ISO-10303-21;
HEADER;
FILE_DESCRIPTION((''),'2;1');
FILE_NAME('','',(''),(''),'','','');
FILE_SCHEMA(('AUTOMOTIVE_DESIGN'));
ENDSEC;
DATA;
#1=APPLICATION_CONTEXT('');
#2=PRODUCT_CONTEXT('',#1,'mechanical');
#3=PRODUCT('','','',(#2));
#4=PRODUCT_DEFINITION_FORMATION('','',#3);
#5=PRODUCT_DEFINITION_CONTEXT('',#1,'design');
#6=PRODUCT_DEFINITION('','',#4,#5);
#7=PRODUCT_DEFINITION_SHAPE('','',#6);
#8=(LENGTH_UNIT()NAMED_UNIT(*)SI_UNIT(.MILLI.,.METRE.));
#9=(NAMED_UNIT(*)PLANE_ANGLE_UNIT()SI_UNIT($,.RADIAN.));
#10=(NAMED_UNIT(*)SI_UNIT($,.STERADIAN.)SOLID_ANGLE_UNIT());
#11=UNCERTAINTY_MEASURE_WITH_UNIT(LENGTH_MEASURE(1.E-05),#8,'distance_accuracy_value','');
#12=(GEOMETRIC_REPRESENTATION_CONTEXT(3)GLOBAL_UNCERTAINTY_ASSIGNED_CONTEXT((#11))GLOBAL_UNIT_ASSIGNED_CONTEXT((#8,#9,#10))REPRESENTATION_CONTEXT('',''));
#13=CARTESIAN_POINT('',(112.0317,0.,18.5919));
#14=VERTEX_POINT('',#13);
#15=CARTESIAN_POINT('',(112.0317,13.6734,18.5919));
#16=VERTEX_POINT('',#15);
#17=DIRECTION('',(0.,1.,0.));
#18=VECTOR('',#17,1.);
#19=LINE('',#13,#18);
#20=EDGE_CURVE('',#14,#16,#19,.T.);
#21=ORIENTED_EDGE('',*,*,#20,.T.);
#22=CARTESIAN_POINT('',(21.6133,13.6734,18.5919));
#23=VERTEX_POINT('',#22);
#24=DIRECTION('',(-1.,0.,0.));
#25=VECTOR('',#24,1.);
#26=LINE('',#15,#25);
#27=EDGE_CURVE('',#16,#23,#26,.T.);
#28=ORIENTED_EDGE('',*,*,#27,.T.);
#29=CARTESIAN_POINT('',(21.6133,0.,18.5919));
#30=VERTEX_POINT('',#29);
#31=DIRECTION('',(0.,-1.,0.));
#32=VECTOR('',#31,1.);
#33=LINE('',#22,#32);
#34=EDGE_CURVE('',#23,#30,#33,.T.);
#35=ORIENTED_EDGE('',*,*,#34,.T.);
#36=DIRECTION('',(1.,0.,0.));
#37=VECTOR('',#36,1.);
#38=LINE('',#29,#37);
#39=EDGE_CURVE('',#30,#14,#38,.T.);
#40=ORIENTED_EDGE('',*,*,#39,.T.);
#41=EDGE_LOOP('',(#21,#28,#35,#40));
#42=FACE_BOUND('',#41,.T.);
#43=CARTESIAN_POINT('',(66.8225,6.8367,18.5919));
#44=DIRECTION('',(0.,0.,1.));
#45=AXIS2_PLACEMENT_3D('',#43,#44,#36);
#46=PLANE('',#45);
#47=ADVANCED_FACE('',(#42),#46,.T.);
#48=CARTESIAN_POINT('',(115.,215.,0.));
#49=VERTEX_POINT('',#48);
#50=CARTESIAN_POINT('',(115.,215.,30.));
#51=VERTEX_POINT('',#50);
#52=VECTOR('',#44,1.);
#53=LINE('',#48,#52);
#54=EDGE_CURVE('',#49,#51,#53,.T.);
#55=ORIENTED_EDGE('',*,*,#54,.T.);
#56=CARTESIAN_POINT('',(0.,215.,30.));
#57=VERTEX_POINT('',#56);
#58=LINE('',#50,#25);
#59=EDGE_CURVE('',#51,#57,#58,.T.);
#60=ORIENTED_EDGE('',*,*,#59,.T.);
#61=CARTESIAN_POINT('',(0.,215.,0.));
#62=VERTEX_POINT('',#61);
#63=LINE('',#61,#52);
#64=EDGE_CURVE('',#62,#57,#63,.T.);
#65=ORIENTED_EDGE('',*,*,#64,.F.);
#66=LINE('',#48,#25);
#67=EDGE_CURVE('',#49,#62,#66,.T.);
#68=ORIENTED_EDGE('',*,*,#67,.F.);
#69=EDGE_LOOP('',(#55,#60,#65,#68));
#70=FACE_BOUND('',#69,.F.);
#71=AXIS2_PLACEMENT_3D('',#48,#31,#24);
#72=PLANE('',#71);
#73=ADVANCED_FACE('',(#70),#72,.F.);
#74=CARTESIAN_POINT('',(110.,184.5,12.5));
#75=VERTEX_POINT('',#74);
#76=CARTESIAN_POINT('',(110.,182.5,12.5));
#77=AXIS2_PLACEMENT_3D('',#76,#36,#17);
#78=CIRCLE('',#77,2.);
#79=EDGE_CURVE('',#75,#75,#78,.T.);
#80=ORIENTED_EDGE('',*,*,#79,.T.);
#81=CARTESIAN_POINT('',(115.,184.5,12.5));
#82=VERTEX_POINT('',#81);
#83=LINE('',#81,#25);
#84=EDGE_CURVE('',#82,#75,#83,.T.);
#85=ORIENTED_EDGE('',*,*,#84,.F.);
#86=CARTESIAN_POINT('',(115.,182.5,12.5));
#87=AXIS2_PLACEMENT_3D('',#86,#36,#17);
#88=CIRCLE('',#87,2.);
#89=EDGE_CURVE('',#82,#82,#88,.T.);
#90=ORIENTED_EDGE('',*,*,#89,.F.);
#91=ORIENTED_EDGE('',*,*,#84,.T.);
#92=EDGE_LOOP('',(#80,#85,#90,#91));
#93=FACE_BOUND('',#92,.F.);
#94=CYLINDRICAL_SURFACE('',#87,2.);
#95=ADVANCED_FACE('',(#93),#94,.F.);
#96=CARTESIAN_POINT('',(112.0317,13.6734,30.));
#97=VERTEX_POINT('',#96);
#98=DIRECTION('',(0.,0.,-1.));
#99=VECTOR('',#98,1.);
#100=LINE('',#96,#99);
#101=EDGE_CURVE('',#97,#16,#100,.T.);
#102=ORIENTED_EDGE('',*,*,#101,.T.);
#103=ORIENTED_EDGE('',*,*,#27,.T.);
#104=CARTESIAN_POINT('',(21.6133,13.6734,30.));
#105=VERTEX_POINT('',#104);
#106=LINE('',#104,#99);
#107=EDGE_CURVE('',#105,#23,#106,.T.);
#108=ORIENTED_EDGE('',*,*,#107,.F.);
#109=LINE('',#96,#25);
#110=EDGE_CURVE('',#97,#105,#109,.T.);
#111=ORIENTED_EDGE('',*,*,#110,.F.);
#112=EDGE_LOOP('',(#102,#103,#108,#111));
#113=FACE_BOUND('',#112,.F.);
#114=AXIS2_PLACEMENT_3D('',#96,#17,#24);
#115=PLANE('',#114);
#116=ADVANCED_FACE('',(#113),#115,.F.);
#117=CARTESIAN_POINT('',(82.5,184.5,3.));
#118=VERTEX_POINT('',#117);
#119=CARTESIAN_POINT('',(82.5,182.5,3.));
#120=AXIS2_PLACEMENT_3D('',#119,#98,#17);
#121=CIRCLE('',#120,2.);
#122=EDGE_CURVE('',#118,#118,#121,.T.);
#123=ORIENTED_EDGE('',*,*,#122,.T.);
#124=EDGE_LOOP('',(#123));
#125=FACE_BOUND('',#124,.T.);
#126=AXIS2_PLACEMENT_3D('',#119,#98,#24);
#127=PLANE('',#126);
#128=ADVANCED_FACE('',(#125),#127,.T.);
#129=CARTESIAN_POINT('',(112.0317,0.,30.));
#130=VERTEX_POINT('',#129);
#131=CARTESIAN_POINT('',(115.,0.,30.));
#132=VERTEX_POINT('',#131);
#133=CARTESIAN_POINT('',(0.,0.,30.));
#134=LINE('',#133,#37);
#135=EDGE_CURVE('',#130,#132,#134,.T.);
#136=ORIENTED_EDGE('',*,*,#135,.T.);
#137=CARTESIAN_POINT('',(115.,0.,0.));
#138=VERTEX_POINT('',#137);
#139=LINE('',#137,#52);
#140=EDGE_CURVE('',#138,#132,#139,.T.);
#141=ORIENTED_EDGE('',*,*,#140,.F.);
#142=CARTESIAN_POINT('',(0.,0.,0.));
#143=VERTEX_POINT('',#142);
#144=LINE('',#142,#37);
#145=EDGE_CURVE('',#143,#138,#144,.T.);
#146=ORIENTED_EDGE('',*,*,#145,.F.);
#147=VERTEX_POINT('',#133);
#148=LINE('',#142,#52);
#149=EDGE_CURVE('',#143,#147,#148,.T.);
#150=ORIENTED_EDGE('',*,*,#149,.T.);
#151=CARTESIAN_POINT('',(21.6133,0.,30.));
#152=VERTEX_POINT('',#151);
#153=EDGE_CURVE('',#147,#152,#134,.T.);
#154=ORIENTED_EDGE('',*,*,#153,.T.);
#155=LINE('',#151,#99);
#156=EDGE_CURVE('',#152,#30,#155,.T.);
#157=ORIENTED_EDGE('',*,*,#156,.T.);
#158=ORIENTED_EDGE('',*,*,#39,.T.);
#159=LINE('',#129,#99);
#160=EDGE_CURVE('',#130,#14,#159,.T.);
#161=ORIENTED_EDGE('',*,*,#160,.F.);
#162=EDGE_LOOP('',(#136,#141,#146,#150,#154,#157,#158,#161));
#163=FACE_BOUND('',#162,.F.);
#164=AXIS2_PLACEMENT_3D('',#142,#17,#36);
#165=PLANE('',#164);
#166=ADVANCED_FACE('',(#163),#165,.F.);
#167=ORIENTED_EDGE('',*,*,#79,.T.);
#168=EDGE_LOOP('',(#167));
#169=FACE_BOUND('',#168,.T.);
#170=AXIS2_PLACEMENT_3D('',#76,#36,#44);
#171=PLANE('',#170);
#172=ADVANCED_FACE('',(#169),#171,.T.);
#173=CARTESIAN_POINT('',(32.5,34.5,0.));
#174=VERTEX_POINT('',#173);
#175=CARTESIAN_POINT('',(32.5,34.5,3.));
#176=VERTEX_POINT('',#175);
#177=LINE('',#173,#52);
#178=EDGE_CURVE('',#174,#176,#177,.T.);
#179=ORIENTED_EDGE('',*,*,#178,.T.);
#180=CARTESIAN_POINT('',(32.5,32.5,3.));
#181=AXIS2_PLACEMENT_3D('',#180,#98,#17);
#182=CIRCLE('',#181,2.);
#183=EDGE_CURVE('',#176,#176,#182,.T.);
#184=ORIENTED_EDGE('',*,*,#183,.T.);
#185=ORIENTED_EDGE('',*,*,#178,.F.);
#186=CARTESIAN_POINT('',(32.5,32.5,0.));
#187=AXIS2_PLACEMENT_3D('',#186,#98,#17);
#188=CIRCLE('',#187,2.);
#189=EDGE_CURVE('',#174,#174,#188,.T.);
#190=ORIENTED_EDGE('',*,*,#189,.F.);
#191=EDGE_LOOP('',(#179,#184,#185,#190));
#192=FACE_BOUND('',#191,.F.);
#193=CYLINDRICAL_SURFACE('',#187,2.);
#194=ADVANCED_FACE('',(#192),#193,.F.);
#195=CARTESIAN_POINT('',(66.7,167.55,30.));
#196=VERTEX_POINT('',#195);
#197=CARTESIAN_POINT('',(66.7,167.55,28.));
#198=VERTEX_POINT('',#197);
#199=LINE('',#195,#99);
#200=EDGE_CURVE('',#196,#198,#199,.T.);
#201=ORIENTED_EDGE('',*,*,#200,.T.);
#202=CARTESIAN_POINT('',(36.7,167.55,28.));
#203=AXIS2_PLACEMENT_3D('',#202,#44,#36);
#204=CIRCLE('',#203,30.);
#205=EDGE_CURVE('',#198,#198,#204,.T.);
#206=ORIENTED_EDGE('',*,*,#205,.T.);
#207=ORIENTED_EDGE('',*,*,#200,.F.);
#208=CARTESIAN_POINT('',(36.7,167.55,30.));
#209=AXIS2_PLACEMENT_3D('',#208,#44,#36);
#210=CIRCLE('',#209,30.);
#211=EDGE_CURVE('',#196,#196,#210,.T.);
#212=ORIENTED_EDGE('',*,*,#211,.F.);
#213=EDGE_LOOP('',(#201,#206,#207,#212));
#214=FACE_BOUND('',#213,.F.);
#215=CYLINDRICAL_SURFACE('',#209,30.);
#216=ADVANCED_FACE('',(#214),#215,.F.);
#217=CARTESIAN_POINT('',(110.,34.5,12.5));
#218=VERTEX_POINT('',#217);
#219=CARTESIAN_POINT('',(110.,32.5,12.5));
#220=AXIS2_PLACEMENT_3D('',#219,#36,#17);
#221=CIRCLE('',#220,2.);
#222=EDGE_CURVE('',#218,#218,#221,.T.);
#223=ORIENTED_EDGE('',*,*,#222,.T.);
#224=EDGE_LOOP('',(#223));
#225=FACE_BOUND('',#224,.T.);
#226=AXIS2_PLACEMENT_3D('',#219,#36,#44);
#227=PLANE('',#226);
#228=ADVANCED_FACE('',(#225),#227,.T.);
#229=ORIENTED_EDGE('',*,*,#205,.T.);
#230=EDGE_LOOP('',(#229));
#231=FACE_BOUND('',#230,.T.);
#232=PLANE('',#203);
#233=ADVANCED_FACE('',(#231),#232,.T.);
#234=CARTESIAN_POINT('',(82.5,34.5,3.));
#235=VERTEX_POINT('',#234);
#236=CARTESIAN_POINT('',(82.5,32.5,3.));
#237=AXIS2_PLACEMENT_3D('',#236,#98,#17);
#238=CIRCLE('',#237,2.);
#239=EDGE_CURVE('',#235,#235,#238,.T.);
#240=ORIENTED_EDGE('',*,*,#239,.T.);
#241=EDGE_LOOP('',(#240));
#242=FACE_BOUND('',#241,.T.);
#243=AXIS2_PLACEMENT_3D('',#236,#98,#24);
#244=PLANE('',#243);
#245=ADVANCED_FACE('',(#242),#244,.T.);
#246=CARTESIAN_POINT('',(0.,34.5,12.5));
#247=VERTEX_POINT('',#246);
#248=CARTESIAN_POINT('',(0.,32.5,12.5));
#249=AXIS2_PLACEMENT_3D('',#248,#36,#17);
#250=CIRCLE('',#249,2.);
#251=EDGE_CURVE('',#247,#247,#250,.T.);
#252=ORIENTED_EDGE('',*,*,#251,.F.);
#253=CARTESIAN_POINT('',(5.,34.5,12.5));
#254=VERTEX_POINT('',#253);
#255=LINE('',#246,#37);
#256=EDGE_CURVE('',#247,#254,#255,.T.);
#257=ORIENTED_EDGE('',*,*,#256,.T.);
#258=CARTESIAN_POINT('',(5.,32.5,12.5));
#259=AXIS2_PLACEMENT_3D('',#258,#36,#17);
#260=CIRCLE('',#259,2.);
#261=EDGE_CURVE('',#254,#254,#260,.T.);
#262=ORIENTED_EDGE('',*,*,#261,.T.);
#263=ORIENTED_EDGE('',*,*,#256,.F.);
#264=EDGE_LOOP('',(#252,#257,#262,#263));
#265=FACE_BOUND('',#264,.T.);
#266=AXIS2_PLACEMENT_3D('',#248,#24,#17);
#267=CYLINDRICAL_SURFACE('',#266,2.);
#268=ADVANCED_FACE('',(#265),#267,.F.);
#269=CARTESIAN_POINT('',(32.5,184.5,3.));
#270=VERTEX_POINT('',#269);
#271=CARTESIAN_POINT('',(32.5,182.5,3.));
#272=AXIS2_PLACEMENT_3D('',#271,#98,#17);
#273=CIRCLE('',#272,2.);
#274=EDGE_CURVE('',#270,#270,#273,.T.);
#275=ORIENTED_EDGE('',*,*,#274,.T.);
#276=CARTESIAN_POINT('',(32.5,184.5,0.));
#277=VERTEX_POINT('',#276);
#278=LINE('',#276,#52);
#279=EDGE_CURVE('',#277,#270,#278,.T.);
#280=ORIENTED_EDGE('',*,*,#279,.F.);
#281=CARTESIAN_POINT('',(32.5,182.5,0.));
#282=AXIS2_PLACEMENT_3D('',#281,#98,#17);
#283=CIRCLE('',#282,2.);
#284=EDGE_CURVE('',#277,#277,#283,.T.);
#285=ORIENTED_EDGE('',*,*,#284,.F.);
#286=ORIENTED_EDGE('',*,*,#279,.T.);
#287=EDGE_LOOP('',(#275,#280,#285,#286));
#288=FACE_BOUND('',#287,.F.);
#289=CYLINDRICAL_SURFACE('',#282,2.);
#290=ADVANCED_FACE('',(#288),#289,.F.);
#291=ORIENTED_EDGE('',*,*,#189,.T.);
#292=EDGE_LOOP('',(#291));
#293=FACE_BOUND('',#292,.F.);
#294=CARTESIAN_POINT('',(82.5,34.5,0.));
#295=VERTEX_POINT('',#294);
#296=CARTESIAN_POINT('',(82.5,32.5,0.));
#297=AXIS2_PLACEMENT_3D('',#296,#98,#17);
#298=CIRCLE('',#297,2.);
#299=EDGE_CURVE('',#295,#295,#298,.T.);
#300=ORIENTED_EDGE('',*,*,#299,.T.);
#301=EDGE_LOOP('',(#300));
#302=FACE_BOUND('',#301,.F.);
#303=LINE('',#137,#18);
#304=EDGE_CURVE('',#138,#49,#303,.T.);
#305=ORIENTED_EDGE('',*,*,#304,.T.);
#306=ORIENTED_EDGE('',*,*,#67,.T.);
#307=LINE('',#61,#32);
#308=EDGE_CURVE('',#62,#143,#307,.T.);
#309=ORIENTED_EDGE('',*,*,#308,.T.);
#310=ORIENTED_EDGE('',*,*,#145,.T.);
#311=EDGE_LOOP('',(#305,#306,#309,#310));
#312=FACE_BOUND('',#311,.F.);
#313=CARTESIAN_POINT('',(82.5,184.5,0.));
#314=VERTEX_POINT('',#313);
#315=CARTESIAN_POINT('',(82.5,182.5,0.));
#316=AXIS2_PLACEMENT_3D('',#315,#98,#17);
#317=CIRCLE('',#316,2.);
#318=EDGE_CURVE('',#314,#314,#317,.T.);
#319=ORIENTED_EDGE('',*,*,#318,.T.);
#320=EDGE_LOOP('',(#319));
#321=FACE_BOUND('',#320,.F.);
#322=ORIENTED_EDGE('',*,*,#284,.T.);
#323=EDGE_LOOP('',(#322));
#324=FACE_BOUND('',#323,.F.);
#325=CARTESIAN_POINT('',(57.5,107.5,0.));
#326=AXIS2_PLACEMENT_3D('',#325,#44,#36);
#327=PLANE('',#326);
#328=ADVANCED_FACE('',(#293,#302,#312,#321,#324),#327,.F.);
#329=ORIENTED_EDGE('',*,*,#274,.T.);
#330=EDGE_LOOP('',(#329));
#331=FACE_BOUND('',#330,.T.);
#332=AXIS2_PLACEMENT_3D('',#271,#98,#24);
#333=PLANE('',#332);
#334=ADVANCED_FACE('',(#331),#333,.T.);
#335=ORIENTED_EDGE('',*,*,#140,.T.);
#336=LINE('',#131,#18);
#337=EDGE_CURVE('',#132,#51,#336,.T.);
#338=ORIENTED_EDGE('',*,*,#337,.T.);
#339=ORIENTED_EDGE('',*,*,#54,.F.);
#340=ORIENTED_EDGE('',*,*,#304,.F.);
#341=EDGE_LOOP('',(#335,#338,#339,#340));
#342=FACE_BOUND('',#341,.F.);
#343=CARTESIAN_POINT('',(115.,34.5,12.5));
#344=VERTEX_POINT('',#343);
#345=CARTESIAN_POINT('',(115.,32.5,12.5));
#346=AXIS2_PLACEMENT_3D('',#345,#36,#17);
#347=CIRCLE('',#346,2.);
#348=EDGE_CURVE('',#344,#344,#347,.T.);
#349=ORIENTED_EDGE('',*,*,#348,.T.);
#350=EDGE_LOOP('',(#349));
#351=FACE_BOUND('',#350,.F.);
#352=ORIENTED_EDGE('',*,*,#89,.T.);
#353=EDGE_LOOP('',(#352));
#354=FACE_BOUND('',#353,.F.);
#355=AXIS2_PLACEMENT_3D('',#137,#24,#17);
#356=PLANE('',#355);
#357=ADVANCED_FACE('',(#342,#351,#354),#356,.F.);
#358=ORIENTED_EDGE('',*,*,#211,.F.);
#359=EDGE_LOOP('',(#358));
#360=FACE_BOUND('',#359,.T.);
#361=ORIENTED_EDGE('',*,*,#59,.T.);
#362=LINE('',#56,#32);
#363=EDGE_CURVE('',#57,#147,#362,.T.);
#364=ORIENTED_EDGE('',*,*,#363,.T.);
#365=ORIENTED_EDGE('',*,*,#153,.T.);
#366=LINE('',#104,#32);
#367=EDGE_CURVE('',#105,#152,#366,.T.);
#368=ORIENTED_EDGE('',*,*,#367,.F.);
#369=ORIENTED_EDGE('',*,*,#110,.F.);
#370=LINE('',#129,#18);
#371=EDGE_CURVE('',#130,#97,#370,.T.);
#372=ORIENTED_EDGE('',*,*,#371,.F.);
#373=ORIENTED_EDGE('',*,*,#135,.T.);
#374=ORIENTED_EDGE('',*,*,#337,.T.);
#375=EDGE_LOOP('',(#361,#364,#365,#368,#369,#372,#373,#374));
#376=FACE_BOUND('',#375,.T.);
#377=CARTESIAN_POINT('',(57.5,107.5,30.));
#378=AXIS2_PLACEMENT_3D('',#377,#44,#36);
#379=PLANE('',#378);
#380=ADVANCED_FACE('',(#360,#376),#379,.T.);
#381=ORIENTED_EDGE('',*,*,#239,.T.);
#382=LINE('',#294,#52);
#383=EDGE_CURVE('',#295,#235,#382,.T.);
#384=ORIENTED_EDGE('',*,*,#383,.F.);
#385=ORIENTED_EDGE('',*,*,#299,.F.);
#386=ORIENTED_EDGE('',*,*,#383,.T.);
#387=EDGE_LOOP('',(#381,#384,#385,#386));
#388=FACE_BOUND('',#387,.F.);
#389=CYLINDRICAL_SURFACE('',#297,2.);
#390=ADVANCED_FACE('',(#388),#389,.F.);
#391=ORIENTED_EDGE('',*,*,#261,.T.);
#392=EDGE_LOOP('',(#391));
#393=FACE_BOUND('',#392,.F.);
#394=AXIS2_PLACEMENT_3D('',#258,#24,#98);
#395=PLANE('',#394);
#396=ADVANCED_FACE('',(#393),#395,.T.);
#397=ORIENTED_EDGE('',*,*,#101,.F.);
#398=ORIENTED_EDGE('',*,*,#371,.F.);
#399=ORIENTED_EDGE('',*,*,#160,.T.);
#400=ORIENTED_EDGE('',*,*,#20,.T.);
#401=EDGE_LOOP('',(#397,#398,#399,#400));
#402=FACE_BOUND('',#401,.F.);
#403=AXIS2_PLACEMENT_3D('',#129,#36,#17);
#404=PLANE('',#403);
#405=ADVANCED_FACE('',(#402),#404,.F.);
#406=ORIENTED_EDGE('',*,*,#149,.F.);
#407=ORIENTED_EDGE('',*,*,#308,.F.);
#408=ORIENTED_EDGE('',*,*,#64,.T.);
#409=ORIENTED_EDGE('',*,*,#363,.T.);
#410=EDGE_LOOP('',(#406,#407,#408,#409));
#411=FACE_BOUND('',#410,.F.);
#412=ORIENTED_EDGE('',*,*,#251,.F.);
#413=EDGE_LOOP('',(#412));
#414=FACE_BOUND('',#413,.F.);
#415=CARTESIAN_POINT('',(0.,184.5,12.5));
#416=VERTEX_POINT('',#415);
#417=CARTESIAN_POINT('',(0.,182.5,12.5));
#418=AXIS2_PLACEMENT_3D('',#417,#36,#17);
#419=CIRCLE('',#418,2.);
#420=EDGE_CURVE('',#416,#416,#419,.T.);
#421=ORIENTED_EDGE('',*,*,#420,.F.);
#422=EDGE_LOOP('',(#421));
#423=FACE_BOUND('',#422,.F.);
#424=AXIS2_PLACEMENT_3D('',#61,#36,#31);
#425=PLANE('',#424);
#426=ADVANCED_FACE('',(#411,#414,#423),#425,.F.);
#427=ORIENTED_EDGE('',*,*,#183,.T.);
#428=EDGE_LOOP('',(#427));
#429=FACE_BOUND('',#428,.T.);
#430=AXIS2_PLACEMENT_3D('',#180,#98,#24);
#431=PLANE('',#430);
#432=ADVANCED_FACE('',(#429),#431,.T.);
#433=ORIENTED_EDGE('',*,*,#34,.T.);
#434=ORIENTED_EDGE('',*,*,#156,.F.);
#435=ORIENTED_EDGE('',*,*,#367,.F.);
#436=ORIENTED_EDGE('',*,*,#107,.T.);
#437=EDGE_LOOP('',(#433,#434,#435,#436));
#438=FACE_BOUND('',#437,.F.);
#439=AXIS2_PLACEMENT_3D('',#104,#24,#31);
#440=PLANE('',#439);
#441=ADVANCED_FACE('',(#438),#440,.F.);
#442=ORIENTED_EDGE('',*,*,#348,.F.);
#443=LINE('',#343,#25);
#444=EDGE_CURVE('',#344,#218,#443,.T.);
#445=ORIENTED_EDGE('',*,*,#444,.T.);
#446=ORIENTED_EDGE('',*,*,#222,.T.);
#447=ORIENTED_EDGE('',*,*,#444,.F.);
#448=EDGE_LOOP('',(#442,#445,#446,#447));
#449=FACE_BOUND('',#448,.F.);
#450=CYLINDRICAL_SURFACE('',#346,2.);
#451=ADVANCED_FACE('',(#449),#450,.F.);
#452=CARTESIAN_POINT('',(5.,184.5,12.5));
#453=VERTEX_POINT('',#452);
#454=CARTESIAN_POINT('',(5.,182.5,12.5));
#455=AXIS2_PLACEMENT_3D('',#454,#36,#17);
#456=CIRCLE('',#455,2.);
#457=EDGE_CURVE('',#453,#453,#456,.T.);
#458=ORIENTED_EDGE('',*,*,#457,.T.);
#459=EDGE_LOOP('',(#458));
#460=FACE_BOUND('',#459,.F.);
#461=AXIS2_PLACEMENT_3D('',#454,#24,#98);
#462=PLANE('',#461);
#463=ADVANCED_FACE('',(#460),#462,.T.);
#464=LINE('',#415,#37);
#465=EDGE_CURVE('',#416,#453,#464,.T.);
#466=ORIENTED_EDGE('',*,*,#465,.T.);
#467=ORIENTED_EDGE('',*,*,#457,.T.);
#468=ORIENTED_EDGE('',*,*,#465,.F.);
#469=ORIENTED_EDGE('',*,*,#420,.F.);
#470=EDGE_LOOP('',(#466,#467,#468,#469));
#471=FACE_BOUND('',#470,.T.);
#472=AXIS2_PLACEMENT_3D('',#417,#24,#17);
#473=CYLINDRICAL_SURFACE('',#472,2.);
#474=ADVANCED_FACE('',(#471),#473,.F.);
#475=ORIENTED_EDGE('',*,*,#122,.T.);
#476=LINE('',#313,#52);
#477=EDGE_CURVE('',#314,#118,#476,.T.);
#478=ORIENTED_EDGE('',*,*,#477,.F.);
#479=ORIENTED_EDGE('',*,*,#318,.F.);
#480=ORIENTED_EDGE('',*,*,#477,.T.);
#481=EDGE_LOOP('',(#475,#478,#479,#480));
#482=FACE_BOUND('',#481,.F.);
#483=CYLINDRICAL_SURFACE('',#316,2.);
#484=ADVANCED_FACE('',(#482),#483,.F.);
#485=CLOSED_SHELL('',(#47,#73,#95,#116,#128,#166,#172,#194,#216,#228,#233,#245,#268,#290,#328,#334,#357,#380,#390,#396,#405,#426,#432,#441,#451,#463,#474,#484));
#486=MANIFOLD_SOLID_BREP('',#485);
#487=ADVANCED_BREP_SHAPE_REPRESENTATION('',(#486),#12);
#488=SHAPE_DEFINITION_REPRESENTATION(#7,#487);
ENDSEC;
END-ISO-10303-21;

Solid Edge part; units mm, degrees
sketch "Sketch1" plane through (0, 0, 0) normal (0, 0, 1) x (1, 0, 0)
  line L0 (0, 0) -> (115, 0)
  line L1 (115, 0) -> (115, 215)
  line L2 (115, 215) -> (0, 215)
  line L3 (0, 215) -> (0, 0)
  dimension "D1" = 115
  dimension "D2" = 215
extrude "Protrusion1" add sketch "Sketch1" along normal blind 30
sketch "Sketch2" plane through (57.5, 107.5, 30) normal (0, 0, 1) x (1, 0, 0)
  circle A0 centre (-20.8, 60.05) radius 30
  dimension "D1" = 36.7
  dimension "D2" = 47.45
  dimension "D3" = 60
extrude "ExtrudedCutout_1" cut sketch "Sketch2" against normal blind 2
sketch "Sketch3" plane through (57.5, 107.5, 0) normal (0, 0, -1) x (0, 1, 0)
  circle A0 centre (-75, -25) radius 2
  circle A1 centre (75, -25) radius 2
  circle A2 centre (75, 25) radius 2
  circle A3 centre (-75, 25) radius 2
  dimension "D1" = 32.5
  dimension "D2" = 32.5
  dimension "D3" = 50
  dimension "D4" = 150
  dimension "D5" = 4
extrude "ExtrudedCutout_2" cut sketch "Sketch3" against normal blind 3
sketch "Sketch4" plane through (57.5, 107.5, 30) normal (0, 0, 1) x (0, 1, 0)
  line L0 (-107.5, -54.5317) -> (-93.8266, -54.5317)
  line L1 (-93.8266, -54.5317) -> (-93.8266, 35.8867)
  line L2 (-93.8266, 35.8867) -> (-107.5, 35.8867)
  line L3 (-107.5, 35.8867) -> (-107.5, -54.5317)
extrude "ExtrudedCutout_3" cut sketch "Sketch4" against normal blind 11.4081
sketch "Sketch5" plane through (115, 107.5, 15) normal (1, 0, 0) x (0, 1, 0)
  circle A0 centre (-75, -2.5) radius 2
  circle A1 centre (75, -2.5) radius 2
  dimension "D1" = 4
  dimension "D2" = 12.5
extrude "ExtrudedCutout_4" cut sketch "Sketch5" against normal blind 5
mirror "Mirror1" about plane through (57.5, 0, 0) normal (1, 0, 0) of "ExtrudedCutout_4"
